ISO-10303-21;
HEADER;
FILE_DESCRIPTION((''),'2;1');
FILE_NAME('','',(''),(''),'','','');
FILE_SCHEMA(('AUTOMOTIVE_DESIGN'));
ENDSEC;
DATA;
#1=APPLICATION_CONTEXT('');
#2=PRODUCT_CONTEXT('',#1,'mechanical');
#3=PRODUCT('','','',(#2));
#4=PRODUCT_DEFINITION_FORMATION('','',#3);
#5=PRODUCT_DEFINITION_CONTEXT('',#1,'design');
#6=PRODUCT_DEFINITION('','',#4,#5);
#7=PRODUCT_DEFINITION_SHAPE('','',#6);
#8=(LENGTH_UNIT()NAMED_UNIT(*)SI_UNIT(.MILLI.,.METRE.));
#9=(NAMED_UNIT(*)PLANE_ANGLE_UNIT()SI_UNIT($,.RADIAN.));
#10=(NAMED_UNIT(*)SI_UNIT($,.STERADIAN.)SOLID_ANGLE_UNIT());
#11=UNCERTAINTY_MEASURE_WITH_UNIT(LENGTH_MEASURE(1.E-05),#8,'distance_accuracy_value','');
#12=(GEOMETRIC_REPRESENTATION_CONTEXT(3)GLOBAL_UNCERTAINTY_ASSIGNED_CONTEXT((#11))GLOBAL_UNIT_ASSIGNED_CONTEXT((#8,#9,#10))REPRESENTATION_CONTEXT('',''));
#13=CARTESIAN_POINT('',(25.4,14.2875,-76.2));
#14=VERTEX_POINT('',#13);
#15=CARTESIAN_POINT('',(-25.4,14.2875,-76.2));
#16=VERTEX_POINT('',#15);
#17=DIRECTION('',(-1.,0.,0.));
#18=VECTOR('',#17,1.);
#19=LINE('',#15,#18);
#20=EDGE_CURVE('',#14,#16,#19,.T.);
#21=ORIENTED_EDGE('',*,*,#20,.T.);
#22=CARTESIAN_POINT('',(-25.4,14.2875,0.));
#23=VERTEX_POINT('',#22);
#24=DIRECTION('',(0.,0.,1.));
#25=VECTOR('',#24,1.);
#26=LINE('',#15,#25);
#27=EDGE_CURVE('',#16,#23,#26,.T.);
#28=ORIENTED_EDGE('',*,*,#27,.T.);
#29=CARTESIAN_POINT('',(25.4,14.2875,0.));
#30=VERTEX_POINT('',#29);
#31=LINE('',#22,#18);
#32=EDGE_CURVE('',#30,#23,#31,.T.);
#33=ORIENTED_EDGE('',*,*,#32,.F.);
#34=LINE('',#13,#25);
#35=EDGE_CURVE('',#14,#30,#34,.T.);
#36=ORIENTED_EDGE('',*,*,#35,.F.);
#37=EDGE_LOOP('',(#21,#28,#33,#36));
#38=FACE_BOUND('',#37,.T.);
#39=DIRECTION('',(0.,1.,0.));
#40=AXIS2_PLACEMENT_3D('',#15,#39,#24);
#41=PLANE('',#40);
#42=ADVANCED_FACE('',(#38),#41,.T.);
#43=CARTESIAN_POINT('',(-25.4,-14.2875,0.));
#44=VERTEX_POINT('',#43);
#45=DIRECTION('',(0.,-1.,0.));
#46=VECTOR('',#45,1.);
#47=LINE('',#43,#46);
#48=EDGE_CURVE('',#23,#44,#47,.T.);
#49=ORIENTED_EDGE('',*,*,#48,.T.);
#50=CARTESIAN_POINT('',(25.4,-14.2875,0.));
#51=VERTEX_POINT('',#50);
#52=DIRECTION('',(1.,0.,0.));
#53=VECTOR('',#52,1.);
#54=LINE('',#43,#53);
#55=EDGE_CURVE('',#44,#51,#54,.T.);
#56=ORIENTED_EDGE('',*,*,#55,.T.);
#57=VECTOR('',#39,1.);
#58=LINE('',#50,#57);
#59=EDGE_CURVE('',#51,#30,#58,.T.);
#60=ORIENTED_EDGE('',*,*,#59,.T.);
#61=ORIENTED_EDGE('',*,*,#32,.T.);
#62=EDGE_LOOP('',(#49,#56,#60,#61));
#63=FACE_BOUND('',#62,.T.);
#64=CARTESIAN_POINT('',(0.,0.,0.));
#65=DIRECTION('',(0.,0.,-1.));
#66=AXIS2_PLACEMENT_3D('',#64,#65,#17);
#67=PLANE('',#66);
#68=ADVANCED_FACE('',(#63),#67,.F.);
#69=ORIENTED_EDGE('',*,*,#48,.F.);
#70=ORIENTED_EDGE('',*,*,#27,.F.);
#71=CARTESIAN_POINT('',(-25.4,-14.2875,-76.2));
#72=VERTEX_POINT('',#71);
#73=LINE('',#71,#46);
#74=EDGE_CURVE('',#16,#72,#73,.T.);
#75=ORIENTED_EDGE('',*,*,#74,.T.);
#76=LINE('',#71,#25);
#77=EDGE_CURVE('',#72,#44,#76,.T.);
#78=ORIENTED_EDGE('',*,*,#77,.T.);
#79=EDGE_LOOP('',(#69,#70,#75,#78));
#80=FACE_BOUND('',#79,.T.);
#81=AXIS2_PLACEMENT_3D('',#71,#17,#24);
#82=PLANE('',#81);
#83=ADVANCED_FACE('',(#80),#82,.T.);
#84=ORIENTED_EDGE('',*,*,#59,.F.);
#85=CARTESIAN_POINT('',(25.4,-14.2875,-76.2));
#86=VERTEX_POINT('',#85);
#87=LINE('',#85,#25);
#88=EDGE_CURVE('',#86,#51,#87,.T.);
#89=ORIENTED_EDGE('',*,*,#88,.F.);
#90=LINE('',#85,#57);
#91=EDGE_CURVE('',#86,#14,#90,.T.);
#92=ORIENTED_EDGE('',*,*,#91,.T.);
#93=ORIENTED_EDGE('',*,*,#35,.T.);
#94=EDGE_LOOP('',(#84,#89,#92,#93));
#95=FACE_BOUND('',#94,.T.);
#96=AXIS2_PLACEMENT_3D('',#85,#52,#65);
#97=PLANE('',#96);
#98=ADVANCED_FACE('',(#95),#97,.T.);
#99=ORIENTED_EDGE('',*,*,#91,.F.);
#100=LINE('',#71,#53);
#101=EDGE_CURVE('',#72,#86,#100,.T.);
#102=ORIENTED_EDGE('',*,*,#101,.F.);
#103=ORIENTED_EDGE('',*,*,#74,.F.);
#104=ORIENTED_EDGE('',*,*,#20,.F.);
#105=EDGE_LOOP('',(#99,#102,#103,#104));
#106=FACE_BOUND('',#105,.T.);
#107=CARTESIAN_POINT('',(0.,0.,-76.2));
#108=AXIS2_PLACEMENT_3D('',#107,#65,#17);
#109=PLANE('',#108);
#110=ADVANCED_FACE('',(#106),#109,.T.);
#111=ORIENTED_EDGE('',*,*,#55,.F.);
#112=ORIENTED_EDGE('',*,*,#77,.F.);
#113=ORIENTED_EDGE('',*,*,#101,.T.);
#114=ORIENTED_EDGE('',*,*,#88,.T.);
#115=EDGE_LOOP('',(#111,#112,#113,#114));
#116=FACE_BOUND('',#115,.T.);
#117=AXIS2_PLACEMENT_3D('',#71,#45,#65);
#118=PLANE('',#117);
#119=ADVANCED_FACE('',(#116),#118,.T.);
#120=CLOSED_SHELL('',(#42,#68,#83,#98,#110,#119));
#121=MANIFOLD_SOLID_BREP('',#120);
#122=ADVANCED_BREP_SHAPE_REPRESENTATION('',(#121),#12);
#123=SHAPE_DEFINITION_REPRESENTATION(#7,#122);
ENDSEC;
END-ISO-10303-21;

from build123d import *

# Parameters (mm, degrees)
SKETCH1_W           = 50.8
SKETCH1_H           = 28.575
BOSS_EXTRUDE1_DEPTH = 76.2


with BuildPart() as part:
    # Sketch1 → Boss-Extrude1 (new body)
    with BuildSketch(Plane.XY):
        Rectangle(SKETCH1_W, SKETCH1_H)
    extrude(amount=-BOSS_EXTRUDE1_DEPTH)


solid = part.part
